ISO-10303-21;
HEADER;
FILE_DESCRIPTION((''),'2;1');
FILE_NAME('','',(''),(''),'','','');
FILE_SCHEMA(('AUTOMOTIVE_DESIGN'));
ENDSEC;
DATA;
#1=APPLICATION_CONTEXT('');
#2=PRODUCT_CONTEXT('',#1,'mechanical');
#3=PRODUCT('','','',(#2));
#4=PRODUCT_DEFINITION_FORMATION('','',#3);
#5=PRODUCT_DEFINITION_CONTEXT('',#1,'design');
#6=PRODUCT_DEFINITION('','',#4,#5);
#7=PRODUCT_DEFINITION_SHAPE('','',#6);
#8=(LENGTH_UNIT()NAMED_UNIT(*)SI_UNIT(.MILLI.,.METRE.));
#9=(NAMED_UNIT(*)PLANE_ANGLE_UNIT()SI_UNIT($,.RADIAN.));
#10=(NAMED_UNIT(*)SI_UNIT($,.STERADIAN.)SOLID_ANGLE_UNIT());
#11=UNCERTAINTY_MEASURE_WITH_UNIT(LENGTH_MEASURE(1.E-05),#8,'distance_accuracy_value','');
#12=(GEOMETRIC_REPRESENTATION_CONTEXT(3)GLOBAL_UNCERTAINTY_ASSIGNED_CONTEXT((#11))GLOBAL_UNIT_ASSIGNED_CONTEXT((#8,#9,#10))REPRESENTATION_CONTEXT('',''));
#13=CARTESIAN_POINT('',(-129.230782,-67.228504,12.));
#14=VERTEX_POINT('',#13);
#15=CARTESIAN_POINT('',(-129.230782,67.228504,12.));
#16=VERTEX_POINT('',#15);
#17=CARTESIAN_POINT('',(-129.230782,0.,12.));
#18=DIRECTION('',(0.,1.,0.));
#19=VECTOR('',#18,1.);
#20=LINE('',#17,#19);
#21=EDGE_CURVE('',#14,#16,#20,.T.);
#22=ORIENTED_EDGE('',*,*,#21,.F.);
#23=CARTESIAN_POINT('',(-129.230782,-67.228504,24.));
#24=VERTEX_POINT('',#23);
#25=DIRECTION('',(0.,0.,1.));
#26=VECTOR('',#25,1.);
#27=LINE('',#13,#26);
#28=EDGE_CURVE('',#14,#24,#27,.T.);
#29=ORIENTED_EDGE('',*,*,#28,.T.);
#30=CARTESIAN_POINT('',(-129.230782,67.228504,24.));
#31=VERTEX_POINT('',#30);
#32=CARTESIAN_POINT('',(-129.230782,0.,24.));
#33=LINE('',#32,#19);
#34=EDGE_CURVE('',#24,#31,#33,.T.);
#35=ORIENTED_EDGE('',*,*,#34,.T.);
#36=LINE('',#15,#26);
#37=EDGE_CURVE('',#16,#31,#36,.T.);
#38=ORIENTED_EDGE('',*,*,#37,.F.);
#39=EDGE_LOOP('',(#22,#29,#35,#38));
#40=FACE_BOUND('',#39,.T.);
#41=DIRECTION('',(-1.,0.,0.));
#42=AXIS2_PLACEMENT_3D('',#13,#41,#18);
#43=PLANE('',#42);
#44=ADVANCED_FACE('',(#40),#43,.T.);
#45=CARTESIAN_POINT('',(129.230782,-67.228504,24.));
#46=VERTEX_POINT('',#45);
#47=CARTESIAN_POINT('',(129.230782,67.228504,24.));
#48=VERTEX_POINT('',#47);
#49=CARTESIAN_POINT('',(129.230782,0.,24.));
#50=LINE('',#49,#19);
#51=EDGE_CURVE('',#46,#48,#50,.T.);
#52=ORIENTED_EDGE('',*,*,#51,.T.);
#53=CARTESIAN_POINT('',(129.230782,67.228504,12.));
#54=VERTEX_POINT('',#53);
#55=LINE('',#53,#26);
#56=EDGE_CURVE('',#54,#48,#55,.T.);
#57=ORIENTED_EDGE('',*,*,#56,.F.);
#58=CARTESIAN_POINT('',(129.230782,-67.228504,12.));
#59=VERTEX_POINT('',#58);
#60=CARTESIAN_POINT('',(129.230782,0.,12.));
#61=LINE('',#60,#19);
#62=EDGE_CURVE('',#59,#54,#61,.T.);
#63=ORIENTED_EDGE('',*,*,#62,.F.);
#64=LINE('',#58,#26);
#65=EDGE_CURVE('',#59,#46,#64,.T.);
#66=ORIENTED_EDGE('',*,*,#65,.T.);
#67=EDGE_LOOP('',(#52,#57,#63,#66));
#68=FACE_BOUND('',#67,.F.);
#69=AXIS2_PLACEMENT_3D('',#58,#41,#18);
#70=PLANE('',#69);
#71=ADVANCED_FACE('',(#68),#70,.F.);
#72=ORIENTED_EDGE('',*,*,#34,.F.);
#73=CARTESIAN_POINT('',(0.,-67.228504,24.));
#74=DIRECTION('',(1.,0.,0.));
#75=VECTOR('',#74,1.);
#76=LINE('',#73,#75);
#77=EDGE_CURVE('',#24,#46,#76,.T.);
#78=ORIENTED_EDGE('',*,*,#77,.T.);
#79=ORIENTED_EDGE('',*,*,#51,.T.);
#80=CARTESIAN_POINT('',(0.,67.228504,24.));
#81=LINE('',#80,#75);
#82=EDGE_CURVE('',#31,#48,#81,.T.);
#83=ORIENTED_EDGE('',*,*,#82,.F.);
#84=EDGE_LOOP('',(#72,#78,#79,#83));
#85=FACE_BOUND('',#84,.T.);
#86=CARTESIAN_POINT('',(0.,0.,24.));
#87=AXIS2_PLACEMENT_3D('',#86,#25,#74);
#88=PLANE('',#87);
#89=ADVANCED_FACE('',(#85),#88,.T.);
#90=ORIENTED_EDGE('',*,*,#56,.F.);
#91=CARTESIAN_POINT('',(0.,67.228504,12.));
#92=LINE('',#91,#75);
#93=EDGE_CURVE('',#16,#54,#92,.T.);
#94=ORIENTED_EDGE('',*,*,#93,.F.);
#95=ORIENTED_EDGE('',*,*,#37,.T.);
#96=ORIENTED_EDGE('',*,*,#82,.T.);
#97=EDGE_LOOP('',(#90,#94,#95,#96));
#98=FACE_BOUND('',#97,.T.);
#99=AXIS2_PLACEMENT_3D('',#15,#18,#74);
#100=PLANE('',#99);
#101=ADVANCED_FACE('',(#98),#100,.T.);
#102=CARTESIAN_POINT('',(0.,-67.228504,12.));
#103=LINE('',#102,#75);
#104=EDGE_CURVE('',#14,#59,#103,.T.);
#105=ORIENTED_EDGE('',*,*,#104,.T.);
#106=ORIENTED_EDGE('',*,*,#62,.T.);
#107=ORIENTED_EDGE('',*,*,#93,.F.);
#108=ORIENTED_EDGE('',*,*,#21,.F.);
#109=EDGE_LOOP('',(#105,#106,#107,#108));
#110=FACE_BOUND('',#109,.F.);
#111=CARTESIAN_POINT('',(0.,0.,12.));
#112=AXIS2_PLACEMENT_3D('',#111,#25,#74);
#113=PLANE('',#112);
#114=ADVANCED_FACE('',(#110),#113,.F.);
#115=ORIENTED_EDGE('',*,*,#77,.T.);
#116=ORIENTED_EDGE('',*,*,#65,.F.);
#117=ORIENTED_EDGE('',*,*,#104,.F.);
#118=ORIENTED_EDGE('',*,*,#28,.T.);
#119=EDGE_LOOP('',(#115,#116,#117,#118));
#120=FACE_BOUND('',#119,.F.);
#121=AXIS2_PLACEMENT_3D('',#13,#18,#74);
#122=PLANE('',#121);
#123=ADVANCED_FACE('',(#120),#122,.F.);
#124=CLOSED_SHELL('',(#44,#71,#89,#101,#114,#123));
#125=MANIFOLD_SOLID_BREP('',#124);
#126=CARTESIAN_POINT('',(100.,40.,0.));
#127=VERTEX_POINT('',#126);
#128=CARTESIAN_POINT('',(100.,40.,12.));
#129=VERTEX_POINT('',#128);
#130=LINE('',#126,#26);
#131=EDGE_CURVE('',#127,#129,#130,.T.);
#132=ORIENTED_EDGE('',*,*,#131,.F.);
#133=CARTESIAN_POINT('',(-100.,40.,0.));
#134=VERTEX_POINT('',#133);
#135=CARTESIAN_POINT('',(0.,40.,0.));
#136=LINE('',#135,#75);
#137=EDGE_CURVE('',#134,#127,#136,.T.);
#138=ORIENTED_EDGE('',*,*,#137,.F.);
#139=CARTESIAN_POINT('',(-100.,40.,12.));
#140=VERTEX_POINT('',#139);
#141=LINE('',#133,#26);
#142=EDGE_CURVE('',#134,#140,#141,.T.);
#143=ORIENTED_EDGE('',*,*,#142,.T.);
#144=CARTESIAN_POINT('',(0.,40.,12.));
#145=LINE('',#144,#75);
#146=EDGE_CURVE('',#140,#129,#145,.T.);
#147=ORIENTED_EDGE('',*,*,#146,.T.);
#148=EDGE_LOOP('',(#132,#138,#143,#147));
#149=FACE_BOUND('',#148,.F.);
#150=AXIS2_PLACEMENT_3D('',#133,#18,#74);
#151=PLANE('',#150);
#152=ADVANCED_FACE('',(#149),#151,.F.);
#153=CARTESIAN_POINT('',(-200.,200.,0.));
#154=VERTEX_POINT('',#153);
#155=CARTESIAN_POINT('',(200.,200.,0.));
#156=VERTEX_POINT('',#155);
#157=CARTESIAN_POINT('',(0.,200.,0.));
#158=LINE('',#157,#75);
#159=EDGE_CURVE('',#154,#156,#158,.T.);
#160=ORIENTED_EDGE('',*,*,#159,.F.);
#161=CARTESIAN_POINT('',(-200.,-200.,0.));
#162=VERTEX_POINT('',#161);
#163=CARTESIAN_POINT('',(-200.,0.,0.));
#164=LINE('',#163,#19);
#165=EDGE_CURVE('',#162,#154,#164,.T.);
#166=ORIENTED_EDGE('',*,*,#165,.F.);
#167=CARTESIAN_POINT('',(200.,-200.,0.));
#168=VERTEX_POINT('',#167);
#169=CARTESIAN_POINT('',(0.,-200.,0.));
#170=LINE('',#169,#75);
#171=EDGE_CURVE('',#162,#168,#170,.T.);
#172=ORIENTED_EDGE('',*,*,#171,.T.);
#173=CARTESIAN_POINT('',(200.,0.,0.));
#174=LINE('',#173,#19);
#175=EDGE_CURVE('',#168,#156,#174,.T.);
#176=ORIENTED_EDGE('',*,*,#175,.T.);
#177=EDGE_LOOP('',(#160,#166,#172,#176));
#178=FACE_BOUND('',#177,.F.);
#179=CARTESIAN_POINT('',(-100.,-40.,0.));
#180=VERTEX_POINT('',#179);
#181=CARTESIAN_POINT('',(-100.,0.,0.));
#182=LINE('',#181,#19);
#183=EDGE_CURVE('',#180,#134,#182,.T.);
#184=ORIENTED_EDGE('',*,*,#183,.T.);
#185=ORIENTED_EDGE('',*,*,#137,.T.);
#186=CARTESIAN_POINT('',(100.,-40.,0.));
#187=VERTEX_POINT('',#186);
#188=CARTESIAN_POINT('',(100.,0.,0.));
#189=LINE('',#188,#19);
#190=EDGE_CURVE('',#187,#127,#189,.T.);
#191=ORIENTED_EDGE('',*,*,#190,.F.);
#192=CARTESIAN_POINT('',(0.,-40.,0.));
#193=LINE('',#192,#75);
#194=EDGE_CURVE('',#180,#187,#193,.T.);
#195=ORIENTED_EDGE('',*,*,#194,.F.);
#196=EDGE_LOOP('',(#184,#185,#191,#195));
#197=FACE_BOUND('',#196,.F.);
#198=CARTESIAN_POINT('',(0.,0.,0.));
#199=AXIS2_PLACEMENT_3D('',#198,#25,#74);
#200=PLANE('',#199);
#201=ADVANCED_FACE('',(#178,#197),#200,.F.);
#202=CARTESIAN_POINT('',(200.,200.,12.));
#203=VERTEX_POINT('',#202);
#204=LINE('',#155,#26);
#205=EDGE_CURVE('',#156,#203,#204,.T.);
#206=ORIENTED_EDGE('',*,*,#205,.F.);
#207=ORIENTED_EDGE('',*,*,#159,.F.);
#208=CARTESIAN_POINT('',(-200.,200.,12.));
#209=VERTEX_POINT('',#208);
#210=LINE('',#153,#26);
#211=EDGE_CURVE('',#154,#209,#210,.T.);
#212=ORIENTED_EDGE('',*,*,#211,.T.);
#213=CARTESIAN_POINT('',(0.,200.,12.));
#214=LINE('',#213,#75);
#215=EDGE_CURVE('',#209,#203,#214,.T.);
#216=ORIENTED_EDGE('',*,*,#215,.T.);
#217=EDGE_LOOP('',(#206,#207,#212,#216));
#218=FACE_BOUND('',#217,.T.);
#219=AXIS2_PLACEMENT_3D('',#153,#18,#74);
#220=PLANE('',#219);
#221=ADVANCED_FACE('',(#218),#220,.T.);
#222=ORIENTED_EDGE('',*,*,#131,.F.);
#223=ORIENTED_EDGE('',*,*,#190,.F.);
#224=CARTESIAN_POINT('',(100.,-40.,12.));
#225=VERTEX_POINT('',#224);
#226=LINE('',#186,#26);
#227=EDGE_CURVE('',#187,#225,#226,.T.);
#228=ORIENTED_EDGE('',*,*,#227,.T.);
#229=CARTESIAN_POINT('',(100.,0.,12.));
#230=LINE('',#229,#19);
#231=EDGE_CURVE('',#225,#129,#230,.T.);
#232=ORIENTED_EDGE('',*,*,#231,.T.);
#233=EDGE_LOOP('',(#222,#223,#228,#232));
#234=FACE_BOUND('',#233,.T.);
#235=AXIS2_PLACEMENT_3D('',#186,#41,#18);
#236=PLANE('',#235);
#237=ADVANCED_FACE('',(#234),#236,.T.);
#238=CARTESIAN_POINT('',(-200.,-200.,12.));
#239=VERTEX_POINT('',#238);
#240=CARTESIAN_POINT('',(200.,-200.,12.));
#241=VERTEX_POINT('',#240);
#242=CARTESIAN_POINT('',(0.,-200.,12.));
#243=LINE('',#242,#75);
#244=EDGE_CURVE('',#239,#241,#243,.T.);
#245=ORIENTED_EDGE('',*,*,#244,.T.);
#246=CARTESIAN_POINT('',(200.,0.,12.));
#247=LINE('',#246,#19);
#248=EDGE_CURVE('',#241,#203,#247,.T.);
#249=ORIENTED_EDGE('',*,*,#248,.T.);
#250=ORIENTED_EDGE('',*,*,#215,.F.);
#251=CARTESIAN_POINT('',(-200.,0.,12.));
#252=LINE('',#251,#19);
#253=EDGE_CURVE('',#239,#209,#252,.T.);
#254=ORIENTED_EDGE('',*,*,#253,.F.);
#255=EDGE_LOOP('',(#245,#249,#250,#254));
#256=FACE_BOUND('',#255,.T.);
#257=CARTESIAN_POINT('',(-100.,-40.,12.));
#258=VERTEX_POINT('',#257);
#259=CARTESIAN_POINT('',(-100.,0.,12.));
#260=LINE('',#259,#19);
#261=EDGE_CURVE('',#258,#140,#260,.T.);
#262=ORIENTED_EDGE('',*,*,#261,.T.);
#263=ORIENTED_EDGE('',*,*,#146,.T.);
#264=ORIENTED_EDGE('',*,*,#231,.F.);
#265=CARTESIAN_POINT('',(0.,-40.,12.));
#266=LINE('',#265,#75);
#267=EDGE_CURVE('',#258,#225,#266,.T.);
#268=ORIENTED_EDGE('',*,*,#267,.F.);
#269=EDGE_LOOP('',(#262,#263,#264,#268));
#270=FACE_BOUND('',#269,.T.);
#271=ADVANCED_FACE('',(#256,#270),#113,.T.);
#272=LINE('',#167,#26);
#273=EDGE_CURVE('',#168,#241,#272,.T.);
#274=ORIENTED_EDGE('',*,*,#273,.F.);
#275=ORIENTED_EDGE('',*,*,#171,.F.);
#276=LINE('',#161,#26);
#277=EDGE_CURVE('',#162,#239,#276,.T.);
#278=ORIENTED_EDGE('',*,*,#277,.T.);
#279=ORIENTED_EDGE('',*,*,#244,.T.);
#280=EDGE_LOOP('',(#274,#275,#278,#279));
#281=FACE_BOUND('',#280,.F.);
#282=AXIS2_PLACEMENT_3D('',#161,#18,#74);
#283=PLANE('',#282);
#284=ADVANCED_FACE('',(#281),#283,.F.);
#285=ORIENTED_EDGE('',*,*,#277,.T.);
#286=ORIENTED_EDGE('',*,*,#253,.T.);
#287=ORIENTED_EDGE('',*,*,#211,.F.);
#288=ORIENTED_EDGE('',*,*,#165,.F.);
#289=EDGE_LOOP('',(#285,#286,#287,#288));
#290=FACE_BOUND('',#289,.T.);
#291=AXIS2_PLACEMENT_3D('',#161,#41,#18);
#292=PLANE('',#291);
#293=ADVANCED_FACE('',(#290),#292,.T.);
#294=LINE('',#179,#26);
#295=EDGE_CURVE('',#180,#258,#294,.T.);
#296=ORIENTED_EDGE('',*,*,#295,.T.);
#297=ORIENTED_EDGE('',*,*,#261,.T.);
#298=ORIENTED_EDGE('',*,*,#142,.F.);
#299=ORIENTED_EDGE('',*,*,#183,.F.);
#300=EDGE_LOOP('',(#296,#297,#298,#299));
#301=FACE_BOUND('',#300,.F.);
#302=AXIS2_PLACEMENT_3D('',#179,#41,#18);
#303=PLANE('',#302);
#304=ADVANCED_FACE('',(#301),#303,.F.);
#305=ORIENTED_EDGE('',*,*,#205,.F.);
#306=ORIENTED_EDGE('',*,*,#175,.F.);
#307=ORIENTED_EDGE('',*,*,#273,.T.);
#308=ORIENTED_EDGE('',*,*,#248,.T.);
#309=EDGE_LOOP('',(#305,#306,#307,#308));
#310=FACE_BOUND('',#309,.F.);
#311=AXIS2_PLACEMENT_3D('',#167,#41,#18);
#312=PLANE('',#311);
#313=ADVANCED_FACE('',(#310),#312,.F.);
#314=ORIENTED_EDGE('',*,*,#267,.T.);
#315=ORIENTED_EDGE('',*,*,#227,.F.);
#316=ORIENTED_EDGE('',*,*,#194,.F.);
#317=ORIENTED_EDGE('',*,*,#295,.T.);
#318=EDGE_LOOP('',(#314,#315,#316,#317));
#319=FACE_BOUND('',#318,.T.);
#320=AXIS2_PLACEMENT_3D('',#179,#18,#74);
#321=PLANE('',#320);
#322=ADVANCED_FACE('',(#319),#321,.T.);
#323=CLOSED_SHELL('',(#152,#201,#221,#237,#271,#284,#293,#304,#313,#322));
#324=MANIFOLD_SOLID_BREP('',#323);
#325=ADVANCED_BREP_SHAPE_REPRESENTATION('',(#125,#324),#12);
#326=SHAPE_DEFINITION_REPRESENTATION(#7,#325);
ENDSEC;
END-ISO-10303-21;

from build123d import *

# Parameters (mm, degrees)
F0_W     = 400
F0_H     = 400
F0_W_2   = 200
F0_H_2   = 80
F1_DEPTH = 12
F2_W     = 258.4615647793
F2_H     = 134.4570070505
F2_W_2   = 200
F2_H_2   = 80
F3_DEPTH = 12


with BuildPart() as f1:
    # F0 (on Top) → F1 (new body)
    with BuildSketch(Plane.XY):
        Rectangle(F0_W, F0_H)
        Rectangle(F0_W_2, F0_H_2, mode=Mode.SUBTRACT)
    extrude(amount=F1_DEPTH)


with BuildPart() as f3:
    # F2 (on face) → F3 (new body)
    with BuildSketch(Plane.XY.offset(12)):
        Rectangle(F2_W, F2_H)
        Rectangle(F2_W_2, F2_H_2, mode=Mode.SUBTRACT)
        Rectangle(F2_W_2, F2_H_2)
    extrude(amount=F3_DEPTH)


solid = Compound([f1.part, f3.part])
